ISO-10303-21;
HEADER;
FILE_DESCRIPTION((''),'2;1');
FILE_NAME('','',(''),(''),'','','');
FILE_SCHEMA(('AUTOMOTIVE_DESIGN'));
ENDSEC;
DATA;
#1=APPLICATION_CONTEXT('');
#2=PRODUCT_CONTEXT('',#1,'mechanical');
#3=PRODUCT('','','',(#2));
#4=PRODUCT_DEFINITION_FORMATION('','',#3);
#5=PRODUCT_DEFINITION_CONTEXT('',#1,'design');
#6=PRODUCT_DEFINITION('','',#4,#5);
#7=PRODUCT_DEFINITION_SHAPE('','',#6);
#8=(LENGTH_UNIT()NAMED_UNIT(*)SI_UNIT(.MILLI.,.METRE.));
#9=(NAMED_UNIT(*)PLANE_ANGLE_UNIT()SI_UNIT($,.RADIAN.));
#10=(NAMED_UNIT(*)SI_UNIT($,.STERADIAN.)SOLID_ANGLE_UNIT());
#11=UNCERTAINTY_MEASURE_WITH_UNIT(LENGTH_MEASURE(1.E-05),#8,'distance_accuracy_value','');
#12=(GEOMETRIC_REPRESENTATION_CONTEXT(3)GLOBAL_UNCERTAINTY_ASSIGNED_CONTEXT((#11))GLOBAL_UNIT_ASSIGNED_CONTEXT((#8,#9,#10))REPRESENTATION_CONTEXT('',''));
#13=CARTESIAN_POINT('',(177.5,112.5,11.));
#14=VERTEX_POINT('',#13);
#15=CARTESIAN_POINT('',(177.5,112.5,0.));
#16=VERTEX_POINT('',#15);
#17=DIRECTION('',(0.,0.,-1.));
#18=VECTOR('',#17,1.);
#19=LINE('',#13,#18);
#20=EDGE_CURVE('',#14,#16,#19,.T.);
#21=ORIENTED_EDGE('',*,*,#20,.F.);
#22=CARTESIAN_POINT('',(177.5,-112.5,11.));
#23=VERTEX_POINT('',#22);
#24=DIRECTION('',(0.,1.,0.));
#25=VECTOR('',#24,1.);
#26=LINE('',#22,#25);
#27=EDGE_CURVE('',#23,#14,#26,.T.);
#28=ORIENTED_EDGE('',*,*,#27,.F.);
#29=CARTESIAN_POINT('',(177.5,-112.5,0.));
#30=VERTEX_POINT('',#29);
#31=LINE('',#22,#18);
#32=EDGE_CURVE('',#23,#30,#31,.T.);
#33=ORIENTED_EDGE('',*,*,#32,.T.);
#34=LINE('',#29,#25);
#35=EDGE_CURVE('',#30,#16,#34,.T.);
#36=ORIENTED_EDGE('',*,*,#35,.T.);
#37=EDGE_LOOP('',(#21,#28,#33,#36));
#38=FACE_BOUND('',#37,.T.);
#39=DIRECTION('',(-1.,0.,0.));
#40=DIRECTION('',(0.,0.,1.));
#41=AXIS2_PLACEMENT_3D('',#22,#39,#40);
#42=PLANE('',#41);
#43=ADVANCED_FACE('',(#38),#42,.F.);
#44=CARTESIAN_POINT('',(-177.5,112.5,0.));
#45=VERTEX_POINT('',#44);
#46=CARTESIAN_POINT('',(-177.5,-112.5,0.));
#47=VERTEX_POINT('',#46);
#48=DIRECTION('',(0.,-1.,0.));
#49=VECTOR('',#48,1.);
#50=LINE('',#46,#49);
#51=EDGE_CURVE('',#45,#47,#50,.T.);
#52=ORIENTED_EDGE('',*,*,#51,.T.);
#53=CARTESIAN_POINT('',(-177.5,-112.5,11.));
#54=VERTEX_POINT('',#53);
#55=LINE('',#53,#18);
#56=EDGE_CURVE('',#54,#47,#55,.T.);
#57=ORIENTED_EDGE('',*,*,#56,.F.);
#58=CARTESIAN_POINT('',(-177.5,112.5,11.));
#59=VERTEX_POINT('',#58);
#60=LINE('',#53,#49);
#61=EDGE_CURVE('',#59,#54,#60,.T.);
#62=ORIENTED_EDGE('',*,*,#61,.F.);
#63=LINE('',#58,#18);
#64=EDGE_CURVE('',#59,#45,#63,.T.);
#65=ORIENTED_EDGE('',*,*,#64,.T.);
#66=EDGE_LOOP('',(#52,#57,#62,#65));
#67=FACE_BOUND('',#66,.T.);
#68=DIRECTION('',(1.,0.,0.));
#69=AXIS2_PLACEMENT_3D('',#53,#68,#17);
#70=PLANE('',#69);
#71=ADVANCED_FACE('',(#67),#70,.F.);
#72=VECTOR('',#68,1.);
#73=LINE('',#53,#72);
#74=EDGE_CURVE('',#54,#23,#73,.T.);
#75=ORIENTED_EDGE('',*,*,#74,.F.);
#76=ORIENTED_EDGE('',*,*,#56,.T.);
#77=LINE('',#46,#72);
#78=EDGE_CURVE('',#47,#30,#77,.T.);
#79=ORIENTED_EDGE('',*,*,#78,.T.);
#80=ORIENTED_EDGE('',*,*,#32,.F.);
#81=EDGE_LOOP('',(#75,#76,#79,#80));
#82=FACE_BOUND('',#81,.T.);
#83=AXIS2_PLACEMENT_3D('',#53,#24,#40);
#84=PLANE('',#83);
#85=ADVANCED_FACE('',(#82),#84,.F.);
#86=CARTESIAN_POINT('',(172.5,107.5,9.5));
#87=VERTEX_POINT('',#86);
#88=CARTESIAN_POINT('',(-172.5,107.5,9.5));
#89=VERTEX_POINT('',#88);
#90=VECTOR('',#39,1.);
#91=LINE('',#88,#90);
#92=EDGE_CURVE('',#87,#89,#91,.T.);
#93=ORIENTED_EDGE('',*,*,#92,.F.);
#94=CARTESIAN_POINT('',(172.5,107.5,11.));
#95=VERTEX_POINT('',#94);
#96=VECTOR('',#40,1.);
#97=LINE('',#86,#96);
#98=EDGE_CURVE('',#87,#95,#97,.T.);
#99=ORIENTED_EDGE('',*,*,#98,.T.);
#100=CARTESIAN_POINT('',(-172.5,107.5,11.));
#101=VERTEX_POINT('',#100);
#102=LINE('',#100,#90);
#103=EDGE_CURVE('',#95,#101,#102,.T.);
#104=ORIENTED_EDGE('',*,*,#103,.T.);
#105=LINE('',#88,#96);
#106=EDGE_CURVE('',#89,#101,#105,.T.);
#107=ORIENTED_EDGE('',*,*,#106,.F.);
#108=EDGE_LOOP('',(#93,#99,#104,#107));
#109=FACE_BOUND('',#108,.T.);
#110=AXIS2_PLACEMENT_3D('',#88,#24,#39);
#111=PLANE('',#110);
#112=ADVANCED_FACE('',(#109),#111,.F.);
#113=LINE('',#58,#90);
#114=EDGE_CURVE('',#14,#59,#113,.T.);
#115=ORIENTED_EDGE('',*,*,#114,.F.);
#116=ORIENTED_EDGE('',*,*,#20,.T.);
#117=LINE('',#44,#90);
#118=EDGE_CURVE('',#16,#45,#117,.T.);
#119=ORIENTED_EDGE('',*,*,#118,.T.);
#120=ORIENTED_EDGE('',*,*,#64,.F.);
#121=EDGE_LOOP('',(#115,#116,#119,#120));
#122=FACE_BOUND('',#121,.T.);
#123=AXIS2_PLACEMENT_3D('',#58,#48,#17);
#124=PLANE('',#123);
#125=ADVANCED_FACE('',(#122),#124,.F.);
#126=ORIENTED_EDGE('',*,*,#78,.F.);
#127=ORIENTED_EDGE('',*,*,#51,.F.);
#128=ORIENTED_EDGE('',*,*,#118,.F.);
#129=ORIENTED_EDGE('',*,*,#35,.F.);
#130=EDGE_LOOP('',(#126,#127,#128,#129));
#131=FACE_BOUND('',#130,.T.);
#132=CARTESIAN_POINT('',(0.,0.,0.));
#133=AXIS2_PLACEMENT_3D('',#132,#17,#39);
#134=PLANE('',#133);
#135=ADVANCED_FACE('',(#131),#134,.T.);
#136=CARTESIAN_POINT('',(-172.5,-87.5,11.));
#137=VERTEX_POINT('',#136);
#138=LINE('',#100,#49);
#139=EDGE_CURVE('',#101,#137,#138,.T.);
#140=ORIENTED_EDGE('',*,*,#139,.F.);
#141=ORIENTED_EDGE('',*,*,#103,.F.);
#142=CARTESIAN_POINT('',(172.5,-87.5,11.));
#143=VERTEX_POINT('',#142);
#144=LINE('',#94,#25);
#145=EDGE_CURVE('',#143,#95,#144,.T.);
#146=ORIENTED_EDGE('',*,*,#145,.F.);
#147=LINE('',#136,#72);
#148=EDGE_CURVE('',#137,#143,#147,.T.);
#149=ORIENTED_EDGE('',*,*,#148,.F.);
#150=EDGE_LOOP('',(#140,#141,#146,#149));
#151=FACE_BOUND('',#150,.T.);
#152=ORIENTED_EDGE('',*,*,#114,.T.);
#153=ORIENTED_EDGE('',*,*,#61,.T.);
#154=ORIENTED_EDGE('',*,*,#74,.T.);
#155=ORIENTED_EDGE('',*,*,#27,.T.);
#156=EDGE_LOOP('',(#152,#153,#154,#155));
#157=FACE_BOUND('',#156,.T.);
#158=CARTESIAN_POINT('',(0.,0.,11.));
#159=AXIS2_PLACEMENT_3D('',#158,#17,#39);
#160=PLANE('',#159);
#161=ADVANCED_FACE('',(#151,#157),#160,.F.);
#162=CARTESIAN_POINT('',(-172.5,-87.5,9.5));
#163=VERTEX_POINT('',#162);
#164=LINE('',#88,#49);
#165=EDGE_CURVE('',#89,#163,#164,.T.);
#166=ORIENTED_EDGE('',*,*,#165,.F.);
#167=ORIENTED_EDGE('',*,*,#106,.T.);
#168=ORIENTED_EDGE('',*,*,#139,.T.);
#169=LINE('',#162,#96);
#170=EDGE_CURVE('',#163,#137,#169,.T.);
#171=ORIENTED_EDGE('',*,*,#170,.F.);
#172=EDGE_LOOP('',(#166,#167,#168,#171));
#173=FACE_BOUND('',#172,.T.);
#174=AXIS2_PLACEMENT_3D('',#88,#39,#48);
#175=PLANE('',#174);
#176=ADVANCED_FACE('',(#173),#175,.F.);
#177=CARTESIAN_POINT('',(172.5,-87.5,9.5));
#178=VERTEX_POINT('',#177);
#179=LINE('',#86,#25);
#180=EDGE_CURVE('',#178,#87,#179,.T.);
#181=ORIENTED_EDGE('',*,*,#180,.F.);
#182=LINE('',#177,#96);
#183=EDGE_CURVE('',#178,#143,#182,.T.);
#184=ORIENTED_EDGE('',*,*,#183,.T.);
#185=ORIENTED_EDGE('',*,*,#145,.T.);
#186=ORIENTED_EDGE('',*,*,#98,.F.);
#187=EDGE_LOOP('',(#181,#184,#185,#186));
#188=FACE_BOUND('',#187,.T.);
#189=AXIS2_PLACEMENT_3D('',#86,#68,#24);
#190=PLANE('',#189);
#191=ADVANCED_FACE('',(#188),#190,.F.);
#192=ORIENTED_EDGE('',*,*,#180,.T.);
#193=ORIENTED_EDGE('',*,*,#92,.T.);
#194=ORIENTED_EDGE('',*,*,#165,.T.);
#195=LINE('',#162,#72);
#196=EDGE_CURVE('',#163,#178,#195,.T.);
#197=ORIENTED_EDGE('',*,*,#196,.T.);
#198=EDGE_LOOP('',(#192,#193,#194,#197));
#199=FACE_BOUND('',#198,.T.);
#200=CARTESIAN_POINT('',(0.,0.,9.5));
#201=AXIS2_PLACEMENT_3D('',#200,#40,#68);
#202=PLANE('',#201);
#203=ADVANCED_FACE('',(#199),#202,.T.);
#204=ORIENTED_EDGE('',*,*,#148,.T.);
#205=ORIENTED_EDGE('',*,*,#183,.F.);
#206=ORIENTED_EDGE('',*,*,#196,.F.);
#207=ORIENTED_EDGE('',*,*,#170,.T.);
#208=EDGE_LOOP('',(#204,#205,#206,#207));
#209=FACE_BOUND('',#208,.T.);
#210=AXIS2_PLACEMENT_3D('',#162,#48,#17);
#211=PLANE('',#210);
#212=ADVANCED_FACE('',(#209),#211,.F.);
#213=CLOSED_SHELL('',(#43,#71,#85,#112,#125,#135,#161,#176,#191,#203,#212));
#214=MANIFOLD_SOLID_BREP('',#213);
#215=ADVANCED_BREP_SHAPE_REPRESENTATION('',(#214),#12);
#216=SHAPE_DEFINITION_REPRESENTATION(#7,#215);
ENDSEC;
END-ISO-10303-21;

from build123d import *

# Parameters (mm, degrees)
SKETCH_2_W          = 355
SKETCH_2_H          = 225
EXTRUDE_2_DEPTH     = 11
SKETCH_4_W          = 345
SKETCH_4_H          = 195
CUT_EXTRUDE_2_DEPTH = 1.5


with BuildPart() as part:
    # 스케치2 → 보스-돌출2 (new body)
    with BuildSketch(Plane.XY):
        Rectangle(SKETCH_2_W, SKETCH_2_H)
    extrude(amount=EXTRUDE_2_DEPTH)

    # 스케치4 → 컷-돌출2 (cut)
    with BuildSketch(Plane.XY.offset(11)):
        with Locations((0, 10)):
            Rectangle(SKETCH_4_W, SKETCH_4_H)
    extrude(amount=-CUT_EXTRUDE_2_DEPTH, mode=Mode.SUBTRACT)


solid = part.part
